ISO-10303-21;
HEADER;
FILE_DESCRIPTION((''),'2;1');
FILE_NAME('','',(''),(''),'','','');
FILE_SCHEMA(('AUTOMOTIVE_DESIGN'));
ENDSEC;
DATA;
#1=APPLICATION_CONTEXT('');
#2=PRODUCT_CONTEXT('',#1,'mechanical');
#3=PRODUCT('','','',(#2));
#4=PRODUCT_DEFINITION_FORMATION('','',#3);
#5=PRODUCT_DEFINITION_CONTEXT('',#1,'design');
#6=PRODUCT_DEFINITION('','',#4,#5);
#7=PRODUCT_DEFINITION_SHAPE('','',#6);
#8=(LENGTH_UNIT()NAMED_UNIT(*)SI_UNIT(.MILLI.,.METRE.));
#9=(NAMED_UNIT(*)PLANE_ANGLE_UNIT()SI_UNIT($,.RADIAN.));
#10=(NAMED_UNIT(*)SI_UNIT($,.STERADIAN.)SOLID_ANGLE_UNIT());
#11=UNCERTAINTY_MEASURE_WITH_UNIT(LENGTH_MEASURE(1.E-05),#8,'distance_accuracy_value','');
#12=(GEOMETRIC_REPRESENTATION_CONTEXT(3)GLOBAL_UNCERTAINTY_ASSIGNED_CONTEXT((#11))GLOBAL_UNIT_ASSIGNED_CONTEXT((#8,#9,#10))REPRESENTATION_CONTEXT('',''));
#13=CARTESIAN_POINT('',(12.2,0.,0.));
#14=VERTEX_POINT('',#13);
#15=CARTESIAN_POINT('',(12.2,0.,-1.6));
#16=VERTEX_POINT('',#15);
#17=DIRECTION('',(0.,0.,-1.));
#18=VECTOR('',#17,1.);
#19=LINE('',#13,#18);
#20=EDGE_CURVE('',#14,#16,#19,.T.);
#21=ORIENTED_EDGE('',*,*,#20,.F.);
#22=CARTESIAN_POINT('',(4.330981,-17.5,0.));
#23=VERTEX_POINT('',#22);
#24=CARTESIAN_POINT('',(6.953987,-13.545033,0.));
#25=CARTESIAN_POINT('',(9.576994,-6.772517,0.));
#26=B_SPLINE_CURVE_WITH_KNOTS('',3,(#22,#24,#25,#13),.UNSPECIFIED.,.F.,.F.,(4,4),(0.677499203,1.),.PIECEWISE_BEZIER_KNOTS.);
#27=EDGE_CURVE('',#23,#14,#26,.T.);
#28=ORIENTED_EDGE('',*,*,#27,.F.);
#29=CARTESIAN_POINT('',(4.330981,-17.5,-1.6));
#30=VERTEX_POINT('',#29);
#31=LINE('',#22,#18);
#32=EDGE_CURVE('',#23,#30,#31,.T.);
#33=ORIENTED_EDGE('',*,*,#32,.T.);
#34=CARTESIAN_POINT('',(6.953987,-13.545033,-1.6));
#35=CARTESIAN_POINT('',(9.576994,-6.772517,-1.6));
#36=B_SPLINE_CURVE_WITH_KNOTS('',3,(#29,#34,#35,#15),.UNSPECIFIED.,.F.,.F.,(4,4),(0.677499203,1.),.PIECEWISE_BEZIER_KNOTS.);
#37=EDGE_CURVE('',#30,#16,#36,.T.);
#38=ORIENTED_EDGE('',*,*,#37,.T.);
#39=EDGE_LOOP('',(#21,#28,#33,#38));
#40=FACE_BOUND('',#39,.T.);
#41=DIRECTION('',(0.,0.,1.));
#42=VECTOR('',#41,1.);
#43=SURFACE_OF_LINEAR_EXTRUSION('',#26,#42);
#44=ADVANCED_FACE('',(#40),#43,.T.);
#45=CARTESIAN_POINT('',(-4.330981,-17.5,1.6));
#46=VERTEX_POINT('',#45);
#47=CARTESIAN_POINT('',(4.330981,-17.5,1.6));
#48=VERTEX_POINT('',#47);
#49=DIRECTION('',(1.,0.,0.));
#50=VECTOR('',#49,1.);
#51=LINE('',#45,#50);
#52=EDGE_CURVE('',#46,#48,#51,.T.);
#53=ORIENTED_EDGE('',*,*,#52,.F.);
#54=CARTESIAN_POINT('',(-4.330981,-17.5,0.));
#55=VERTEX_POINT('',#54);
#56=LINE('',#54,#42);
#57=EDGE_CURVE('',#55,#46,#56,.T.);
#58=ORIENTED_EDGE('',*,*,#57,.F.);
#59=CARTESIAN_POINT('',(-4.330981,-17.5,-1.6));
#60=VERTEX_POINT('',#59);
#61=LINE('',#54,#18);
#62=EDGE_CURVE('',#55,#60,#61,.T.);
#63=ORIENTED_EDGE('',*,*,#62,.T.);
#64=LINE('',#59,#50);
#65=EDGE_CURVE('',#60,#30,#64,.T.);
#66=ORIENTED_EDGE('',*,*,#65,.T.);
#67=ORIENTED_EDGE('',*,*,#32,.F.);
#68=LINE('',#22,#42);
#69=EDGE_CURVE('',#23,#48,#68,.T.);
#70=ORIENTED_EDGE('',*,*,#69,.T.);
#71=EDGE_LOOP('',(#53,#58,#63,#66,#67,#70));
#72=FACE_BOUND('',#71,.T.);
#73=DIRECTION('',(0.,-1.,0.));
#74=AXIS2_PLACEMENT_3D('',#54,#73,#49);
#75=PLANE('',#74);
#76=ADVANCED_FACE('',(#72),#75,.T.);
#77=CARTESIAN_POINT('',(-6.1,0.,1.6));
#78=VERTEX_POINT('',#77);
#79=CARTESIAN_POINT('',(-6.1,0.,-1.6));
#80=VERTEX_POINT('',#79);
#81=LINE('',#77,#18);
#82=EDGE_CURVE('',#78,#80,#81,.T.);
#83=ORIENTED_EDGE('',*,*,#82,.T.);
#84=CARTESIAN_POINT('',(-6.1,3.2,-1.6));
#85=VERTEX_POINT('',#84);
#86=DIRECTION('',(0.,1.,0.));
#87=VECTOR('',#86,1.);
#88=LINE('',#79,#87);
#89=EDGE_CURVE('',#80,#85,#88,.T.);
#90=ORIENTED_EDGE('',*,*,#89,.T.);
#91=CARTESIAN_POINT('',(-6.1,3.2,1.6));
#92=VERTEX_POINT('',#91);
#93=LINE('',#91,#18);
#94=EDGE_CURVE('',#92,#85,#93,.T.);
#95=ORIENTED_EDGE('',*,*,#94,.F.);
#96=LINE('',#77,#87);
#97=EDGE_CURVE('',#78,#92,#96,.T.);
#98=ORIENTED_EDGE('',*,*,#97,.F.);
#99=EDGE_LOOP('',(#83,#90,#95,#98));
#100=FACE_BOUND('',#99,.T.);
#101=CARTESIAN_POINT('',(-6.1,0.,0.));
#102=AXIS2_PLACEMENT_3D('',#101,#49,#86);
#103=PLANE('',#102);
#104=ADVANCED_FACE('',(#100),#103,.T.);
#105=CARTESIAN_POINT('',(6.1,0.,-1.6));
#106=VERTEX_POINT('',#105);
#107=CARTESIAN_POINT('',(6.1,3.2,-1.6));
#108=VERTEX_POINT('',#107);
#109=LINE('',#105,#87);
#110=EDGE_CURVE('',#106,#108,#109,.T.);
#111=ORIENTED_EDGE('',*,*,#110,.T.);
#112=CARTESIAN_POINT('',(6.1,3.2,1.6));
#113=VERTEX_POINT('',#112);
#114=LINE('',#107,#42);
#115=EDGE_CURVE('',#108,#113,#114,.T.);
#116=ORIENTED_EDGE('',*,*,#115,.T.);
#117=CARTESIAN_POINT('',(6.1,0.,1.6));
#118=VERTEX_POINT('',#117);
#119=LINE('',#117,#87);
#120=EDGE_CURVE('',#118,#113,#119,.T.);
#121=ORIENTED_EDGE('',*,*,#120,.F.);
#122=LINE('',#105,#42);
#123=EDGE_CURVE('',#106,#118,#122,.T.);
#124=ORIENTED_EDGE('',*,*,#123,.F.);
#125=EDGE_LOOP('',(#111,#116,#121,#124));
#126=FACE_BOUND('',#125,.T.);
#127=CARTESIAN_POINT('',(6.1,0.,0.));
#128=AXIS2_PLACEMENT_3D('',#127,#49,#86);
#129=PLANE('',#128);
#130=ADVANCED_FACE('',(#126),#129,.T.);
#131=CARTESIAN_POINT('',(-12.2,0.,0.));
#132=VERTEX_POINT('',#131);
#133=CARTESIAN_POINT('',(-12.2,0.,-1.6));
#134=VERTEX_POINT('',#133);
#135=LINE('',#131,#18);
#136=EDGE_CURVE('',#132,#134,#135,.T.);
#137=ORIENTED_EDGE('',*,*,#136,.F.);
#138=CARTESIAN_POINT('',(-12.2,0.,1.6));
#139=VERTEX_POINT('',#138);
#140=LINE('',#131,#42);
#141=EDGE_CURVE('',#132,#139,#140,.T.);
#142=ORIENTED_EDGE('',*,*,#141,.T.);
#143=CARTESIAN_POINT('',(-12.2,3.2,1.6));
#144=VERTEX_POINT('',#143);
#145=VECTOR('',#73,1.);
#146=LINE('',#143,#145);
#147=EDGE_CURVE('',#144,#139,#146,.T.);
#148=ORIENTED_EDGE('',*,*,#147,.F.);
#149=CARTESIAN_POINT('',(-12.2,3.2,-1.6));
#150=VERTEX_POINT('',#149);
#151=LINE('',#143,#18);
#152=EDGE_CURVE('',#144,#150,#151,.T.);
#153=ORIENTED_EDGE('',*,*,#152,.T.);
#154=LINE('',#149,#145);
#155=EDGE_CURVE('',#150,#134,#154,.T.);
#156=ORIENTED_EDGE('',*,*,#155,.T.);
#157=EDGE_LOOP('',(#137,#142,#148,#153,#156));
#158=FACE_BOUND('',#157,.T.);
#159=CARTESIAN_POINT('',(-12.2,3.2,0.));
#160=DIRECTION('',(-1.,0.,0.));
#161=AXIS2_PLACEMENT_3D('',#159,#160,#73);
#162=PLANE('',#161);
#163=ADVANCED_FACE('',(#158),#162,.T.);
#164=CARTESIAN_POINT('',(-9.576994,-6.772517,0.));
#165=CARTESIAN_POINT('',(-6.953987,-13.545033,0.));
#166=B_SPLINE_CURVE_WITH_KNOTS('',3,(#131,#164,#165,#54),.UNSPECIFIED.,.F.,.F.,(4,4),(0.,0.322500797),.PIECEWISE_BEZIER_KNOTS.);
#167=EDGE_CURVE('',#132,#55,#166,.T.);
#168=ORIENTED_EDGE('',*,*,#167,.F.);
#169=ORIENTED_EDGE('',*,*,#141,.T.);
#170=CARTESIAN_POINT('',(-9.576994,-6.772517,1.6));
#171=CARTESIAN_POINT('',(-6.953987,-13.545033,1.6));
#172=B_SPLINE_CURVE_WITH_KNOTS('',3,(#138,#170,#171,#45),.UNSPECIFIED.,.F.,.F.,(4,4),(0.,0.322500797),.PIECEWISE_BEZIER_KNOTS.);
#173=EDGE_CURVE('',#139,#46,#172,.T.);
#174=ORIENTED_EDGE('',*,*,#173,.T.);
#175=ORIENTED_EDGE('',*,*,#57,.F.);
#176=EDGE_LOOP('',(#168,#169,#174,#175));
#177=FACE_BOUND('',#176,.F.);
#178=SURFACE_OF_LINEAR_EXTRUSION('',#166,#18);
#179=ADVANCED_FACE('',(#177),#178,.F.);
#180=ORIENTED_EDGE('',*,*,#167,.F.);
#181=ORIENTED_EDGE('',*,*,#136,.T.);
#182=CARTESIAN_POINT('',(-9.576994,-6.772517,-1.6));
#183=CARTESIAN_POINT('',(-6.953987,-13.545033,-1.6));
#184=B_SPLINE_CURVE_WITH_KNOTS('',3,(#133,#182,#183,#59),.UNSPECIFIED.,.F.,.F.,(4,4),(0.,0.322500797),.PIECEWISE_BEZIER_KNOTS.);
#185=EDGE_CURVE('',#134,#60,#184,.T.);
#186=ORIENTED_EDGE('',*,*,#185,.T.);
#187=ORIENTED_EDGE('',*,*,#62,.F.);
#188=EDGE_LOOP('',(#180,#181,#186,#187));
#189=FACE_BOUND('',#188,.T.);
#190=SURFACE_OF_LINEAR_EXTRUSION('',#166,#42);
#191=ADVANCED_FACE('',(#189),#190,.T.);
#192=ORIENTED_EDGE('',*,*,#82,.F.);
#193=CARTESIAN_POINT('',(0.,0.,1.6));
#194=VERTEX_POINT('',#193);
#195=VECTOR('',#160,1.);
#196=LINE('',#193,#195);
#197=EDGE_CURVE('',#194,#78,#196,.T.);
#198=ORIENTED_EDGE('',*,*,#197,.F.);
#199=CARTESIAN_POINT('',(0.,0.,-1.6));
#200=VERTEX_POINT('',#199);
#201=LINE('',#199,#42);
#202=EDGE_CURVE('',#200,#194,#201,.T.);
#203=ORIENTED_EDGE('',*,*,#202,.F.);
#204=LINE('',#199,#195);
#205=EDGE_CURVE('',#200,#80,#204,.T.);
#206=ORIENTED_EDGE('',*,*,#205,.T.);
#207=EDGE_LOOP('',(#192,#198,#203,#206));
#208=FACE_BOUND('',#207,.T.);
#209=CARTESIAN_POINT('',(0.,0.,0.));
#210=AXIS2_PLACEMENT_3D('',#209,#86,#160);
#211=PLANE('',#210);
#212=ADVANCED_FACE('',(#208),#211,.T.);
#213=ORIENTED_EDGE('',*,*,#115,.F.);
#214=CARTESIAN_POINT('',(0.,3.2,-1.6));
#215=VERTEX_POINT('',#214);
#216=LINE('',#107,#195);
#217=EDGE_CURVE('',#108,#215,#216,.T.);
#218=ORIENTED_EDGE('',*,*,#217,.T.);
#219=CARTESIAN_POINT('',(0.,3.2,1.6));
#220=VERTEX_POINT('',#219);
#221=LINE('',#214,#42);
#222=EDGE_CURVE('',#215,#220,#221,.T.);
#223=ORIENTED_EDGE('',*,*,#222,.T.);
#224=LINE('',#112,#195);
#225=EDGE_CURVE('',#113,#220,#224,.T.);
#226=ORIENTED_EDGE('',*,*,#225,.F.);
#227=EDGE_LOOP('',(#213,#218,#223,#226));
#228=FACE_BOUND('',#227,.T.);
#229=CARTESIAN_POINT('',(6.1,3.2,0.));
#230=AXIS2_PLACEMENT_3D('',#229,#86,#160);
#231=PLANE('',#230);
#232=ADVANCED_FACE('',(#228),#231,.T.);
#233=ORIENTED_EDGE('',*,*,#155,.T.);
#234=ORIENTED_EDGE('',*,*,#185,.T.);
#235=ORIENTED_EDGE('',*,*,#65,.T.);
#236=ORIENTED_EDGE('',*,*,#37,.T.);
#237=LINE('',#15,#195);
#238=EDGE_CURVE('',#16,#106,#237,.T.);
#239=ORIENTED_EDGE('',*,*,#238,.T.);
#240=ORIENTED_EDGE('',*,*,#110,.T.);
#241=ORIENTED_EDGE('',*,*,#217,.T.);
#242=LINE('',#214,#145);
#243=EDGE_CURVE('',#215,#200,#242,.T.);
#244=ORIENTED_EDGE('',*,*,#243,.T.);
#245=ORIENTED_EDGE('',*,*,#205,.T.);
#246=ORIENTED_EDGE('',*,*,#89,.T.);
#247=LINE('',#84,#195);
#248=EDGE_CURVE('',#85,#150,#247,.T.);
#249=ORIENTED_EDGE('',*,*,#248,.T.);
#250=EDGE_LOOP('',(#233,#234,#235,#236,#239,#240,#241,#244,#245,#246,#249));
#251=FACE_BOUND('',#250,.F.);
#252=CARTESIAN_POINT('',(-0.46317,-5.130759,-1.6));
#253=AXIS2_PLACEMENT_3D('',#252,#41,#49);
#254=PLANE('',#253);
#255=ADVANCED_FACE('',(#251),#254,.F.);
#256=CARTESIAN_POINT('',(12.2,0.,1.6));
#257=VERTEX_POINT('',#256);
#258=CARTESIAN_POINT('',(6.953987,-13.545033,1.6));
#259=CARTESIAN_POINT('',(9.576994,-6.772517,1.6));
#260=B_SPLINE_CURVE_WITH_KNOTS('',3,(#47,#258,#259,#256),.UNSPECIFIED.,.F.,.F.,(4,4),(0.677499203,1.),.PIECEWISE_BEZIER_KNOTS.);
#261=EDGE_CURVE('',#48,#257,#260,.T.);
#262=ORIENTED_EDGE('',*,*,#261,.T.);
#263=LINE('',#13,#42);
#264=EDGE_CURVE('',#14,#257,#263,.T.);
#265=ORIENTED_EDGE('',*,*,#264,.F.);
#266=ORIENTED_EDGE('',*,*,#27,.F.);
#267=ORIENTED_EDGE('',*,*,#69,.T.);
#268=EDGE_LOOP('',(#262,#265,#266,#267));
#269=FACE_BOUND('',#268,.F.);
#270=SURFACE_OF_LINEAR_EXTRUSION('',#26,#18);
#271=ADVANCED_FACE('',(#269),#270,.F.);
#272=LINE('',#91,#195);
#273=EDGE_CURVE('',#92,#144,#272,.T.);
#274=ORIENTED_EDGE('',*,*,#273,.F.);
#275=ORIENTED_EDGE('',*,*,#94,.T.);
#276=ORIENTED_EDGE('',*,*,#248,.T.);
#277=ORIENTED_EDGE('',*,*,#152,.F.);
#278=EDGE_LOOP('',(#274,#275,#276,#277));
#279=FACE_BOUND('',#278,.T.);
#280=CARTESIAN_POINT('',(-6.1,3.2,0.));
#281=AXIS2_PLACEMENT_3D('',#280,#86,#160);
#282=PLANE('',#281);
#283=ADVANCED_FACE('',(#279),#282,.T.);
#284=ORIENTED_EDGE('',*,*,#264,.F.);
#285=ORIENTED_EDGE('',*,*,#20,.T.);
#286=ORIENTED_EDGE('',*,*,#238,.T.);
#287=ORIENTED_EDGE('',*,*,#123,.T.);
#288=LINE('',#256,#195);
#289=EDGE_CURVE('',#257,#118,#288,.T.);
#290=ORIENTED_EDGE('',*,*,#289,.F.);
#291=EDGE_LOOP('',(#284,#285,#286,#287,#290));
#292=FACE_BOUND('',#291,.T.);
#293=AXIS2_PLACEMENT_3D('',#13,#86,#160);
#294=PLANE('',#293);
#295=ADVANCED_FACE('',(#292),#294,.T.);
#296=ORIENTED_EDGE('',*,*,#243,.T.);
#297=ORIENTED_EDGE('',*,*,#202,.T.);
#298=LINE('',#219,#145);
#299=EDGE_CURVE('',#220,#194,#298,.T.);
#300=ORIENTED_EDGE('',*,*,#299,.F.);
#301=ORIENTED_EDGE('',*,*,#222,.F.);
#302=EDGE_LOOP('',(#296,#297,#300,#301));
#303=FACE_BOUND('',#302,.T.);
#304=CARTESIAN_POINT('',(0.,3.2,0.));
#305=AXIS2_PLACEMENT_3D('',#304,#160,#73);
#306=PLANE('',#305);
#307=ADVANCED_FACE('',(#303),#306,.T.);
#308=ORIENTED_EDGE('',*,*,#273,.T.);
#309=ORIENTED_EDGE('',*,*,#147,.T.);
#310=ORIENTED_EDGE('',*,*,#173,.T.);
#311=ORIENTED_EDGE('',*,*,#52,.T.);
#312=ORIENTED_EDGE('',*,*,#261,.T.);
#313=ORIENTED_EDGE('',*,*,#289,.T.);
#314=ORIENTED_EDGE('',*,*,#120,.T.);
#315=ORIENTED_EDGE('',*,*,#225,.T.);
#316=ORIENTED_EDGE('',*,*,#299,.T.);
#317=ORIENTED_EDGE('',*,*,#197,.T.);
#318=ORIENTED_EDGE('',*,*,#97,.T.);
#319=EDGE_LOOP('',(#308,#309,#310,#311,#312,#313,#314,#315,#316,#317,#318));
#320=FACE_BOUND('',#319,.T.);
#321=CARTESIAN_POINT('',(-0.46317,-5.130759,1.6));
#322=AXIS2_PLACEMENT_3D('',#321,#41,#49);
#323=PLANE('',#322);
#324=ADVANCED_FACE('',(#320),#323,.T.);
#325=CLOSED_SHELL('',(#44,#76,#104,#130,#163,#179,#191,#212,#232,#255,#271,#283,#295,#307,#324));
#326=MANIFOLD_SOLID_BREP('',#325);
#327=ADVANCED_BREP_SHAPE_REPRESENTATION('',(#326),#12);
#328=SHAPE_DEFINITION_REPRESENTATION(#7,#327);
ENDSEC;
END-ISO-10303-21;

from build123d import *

# Parameters (mm, degrees)
F1_DEPTH = 1.6


with BuildPart() as f1:
    # F0 (on Top) → F1 (new body, symmetric)
    with BuildSketch(Plane.XY):
        with BuildLine():
            Line((-12.2, 3.2), (-12.2, 0))
            add(Edge.make_bspline(
                [(-12.2, 0), (-9.5769935198, -6.7725167316), (-6.9539870396, -13.5450334632), (-4.3309805594, -17.5)],
                knots=[0, 0, 0, 0, 0.3225007967, 0.3225007967, 0.3225007967, 0.3225007967], degree=3))
            Line((-4.3309805594, -17.5), (4.3309805594, -17.5))
            add(Edge.make_bspline(
                [(4.3309805594, -17.5), (6.9539870396, -13.5450334632), (9.5769935198, -6.7725167316), (12.2, 0)],
                knots=[0.6774992033, 0.6774992033, 0.6774992033, 0.6774992033, 1, 1, 1, 1], degree=3))
            Line((12.2, 0), (6.1, 0))
            Line((6.1, 0), (6.1, 3.2))
            Line((6.1, 3.2), (0, 3.2))
            Line((0, 3.2), (0, 0))
            Line((0, 0), (-6.1, 0))
            Line((-6.1, 0), (-6.1, 3.2))
            Line((-6.1, 3.2), (-12.2, 3.2))
        make_face()
    extrude(amount=F1_DEPTH, both=True)


solid = f1.part
